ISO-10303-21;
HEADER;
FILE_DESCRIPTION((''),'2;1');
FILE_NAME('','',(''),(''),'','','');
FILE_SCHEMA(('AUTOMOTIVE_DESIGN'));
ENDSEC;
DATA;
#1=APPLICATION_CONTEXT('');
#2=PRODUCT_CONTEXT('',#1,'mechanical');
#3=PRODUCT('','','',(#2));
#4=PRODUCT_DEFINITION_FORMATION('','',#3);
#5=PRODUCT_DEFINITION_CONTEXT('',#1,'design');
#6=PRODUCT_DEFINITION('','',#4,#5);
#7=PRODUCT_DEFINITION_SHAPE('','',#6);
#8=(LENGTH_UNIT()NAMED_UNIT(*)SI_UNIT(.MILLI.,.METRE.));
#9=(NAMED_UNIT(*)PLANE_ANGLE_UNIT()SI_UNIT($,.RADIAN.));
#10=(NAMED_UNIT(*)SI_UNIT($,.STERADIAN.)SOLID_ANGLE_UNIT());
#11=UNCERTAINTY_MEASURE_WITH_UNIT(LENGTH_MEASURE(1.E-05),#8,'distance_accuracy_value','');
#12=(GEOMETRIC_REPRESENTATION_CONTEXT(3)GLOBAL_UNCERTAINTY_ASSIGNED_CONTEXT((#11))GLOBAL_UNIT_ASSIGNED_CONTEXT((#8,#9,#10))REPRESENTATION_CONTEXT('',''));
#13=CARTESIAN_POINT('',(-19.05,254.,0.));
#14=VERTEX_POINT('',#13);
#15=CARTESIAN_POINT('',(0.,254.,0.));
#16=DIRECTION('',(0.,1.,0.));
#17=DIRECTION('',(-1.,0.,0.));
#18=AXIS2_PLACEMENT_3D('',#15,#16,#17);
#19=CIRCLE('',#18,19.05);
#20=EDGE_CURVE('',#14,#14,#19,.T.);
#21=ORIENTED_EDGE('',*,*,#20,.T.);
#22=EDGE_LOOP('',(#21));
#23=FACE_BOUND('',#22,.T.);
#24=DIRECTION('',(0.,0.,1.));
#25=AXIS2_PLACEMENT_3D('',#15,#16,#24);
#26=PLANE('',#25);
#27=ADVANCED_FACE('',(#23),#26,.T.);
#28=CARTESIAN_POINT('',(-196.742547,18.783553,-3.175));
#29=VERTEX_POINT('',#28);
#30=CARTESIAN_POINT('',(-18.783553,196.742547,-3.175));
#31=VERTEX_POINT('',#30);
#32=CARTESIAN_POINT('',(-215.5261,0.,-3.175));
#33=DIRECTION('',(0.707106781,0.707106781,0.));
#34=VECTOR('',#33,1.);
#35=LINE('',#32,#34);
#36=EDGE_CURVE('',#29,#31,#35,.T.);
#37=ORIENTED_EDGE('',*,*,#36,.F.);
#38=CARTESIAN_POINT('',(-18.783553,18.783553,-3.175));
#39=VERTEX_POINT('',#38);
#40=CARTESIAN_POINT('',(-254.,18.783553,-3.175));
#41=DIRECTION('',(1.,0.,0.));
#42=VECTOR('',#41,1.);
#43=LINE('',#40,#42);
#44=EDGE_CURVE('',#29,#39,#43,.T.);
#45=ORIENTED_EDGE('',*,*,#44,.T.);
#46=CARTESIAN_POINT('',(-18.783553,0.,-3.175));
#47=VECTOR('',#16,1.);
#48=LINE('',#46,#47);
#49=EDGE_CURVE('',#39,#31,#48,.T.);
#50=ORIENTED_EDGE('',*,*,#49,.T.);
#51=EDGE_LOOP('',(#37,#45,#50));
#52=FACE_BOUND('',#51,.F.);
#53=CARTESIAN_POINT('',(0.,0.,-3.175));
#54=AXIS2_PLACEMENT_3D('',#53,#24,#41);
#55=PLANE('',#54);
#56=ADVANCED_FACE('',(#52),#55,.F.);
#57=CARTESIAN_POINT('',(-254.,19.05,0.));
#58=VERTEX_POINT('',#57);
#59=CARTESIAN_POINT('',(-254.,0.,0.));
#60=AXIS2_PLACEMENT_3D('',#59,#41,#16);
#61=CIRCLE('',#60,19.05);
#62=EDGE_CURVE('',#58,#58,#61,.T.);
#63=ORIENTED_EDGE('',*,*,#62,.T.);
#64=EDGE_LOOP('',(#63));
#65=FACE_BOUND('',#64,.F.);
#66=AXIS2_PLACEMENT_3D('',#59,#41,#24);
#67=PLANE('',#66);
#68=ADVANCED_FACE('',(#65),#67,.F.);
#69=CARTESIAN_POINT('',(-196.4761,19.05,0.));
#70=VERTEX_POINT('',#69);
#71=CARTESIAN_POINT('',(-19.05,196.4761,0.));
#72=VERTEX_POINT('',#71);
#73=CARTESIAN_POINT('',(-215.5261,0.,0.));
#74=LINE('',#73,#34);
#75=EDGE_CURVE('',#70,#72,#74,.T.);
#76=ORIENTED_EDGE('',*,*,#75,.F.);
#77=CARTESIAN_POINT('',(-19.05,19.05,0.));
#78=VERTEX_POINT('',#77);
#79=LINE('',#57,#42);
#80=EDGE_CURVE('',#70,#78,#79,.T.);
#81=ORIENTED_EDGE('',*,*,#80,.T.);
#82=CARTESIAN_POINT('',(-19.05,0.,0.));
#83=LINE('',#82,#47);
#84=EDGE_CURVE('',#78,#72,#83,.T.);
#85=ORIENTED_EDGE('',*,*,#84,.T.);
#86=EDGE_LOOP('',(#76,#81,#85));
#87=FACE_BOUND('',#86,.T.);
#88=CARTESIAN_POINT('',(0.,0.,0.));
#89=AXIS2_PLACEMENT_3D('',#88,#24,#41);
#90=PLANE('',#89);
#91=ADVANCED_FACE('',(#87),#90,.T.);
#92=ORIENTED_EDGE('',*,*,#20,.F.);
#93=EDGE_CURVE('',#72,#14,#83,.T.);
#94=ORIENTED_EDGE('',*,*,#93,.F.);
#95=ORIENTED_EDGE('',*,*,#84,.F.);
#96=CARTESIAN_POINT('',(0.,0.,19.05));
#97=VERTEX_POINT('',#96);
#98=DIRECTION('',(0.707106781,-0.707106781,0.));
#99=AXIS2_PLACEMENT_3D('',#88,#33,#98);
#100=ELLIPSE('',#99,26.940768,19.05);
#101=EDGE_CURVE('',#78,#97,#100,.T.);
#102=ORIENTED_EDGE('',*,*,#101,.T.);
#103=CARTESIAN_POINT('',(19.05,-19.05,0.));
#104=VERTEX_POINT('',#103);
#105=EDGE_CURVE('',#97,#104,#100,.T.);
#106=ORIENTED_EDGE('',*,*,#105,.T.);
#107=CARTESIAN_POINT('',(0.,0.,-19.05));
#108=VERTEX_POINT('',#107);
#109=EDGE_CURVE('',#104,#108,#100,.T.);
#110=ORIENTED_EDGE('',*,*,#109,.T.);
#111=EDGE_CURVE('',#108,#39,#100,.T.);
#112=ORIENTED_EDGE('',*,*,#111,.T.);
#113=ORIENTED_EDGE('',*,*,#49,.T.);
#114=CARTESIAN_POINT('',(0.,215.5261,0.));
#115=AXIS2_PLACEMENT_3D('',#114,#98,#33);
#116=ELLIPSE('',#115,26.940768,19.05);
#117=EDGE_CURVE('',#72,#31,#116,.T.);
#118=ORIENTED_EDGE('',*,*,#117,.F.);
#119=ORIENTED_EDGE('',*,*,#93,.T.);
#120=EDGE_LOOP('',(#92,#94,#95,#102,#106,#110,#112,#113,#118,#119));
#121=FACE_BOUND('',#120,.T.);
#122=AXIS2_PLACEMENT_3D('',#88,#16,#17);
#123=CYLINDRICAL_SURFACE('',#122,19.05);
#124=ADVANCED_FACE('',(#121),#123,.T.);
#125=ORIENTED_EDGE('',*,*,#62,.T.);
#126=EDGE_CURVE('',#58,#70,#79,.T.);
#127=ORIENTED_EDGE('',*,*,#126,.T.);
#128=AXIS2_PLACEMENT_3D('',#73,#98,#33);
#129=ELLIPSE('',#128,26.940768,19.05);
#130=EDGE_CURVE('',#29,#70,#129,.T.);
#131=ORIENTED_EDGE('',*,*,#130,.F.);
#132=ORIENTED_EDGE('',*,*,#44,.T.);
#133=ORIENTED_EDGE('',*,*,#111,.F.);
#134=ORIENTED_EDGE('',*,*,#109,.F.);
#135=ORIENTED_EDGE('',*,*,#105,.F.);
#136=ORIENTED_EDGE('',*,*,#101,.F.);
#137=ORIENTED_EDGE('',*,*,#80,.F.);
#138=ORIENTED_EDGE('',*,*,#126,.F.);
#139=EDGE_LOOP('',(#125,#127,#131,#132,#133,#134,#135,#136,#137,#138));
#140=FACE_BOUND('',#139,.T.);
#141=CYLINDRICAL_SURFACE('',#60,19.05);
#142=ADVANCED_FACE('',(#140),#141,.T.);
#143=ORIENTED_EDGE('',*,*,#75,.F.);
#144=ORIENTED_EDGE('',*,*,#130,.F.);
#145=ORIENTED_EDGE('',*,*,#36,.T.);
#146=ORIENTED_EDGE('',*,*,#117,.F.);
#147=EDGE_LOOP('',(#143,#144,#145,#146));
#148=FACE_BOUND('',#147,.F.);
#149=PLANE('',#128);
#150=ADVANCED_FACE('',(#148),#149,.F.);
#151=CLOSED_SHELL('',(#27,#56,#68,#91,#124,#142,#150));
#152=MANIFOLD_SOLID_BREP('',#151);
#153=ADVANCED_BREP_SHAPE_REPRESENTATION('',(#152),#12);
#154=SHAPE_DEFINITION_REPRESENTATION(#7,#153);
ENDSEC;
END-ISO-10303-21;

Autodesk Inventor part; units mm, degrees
ref_plane "YZ Plane" through (0, 0, 0) normal (1, 0, 0) x (0, 1, 0)
ref_plane "XZ Plane" through (0, 0, 0) normal (0, 1, 0) x (-1, 0, 0)
sketch "Sketch1" plane through (0, 0, 0) normal (0, 0, 1) x (1, 0, 0)
  line L0 (-254, 0) -> (0, 0)
  line L1 (0, 0) -> (0, 254)
  line L2 (-215.5261, 0) -> (0, 215.5261)
  dimension "d0" = 254
  dimension "d1" = 254
  dimension "d2" = 90
  dimension "d5" = 152.4
  dimension "d6" = 45
ref_plane "Work Plane1" through (-254, 0, 0) normal (1, 0, 0) x (0, 1, 0)
sketch "Sketch2" plane through (-254, 0, 0) normal (1, 0, 0) x (0, 1, 0)
  circle A0 centre (0, 0) radius 19.05
  dimension "d3" = 38.1
sweep "Sweep1" add profiles "Sketch2" path "Sketch1" path curves L0 L1
extrude "Extrusion1" add sketch "Sketch1" against normal blind 3.175
properties part number "corner_prop"
